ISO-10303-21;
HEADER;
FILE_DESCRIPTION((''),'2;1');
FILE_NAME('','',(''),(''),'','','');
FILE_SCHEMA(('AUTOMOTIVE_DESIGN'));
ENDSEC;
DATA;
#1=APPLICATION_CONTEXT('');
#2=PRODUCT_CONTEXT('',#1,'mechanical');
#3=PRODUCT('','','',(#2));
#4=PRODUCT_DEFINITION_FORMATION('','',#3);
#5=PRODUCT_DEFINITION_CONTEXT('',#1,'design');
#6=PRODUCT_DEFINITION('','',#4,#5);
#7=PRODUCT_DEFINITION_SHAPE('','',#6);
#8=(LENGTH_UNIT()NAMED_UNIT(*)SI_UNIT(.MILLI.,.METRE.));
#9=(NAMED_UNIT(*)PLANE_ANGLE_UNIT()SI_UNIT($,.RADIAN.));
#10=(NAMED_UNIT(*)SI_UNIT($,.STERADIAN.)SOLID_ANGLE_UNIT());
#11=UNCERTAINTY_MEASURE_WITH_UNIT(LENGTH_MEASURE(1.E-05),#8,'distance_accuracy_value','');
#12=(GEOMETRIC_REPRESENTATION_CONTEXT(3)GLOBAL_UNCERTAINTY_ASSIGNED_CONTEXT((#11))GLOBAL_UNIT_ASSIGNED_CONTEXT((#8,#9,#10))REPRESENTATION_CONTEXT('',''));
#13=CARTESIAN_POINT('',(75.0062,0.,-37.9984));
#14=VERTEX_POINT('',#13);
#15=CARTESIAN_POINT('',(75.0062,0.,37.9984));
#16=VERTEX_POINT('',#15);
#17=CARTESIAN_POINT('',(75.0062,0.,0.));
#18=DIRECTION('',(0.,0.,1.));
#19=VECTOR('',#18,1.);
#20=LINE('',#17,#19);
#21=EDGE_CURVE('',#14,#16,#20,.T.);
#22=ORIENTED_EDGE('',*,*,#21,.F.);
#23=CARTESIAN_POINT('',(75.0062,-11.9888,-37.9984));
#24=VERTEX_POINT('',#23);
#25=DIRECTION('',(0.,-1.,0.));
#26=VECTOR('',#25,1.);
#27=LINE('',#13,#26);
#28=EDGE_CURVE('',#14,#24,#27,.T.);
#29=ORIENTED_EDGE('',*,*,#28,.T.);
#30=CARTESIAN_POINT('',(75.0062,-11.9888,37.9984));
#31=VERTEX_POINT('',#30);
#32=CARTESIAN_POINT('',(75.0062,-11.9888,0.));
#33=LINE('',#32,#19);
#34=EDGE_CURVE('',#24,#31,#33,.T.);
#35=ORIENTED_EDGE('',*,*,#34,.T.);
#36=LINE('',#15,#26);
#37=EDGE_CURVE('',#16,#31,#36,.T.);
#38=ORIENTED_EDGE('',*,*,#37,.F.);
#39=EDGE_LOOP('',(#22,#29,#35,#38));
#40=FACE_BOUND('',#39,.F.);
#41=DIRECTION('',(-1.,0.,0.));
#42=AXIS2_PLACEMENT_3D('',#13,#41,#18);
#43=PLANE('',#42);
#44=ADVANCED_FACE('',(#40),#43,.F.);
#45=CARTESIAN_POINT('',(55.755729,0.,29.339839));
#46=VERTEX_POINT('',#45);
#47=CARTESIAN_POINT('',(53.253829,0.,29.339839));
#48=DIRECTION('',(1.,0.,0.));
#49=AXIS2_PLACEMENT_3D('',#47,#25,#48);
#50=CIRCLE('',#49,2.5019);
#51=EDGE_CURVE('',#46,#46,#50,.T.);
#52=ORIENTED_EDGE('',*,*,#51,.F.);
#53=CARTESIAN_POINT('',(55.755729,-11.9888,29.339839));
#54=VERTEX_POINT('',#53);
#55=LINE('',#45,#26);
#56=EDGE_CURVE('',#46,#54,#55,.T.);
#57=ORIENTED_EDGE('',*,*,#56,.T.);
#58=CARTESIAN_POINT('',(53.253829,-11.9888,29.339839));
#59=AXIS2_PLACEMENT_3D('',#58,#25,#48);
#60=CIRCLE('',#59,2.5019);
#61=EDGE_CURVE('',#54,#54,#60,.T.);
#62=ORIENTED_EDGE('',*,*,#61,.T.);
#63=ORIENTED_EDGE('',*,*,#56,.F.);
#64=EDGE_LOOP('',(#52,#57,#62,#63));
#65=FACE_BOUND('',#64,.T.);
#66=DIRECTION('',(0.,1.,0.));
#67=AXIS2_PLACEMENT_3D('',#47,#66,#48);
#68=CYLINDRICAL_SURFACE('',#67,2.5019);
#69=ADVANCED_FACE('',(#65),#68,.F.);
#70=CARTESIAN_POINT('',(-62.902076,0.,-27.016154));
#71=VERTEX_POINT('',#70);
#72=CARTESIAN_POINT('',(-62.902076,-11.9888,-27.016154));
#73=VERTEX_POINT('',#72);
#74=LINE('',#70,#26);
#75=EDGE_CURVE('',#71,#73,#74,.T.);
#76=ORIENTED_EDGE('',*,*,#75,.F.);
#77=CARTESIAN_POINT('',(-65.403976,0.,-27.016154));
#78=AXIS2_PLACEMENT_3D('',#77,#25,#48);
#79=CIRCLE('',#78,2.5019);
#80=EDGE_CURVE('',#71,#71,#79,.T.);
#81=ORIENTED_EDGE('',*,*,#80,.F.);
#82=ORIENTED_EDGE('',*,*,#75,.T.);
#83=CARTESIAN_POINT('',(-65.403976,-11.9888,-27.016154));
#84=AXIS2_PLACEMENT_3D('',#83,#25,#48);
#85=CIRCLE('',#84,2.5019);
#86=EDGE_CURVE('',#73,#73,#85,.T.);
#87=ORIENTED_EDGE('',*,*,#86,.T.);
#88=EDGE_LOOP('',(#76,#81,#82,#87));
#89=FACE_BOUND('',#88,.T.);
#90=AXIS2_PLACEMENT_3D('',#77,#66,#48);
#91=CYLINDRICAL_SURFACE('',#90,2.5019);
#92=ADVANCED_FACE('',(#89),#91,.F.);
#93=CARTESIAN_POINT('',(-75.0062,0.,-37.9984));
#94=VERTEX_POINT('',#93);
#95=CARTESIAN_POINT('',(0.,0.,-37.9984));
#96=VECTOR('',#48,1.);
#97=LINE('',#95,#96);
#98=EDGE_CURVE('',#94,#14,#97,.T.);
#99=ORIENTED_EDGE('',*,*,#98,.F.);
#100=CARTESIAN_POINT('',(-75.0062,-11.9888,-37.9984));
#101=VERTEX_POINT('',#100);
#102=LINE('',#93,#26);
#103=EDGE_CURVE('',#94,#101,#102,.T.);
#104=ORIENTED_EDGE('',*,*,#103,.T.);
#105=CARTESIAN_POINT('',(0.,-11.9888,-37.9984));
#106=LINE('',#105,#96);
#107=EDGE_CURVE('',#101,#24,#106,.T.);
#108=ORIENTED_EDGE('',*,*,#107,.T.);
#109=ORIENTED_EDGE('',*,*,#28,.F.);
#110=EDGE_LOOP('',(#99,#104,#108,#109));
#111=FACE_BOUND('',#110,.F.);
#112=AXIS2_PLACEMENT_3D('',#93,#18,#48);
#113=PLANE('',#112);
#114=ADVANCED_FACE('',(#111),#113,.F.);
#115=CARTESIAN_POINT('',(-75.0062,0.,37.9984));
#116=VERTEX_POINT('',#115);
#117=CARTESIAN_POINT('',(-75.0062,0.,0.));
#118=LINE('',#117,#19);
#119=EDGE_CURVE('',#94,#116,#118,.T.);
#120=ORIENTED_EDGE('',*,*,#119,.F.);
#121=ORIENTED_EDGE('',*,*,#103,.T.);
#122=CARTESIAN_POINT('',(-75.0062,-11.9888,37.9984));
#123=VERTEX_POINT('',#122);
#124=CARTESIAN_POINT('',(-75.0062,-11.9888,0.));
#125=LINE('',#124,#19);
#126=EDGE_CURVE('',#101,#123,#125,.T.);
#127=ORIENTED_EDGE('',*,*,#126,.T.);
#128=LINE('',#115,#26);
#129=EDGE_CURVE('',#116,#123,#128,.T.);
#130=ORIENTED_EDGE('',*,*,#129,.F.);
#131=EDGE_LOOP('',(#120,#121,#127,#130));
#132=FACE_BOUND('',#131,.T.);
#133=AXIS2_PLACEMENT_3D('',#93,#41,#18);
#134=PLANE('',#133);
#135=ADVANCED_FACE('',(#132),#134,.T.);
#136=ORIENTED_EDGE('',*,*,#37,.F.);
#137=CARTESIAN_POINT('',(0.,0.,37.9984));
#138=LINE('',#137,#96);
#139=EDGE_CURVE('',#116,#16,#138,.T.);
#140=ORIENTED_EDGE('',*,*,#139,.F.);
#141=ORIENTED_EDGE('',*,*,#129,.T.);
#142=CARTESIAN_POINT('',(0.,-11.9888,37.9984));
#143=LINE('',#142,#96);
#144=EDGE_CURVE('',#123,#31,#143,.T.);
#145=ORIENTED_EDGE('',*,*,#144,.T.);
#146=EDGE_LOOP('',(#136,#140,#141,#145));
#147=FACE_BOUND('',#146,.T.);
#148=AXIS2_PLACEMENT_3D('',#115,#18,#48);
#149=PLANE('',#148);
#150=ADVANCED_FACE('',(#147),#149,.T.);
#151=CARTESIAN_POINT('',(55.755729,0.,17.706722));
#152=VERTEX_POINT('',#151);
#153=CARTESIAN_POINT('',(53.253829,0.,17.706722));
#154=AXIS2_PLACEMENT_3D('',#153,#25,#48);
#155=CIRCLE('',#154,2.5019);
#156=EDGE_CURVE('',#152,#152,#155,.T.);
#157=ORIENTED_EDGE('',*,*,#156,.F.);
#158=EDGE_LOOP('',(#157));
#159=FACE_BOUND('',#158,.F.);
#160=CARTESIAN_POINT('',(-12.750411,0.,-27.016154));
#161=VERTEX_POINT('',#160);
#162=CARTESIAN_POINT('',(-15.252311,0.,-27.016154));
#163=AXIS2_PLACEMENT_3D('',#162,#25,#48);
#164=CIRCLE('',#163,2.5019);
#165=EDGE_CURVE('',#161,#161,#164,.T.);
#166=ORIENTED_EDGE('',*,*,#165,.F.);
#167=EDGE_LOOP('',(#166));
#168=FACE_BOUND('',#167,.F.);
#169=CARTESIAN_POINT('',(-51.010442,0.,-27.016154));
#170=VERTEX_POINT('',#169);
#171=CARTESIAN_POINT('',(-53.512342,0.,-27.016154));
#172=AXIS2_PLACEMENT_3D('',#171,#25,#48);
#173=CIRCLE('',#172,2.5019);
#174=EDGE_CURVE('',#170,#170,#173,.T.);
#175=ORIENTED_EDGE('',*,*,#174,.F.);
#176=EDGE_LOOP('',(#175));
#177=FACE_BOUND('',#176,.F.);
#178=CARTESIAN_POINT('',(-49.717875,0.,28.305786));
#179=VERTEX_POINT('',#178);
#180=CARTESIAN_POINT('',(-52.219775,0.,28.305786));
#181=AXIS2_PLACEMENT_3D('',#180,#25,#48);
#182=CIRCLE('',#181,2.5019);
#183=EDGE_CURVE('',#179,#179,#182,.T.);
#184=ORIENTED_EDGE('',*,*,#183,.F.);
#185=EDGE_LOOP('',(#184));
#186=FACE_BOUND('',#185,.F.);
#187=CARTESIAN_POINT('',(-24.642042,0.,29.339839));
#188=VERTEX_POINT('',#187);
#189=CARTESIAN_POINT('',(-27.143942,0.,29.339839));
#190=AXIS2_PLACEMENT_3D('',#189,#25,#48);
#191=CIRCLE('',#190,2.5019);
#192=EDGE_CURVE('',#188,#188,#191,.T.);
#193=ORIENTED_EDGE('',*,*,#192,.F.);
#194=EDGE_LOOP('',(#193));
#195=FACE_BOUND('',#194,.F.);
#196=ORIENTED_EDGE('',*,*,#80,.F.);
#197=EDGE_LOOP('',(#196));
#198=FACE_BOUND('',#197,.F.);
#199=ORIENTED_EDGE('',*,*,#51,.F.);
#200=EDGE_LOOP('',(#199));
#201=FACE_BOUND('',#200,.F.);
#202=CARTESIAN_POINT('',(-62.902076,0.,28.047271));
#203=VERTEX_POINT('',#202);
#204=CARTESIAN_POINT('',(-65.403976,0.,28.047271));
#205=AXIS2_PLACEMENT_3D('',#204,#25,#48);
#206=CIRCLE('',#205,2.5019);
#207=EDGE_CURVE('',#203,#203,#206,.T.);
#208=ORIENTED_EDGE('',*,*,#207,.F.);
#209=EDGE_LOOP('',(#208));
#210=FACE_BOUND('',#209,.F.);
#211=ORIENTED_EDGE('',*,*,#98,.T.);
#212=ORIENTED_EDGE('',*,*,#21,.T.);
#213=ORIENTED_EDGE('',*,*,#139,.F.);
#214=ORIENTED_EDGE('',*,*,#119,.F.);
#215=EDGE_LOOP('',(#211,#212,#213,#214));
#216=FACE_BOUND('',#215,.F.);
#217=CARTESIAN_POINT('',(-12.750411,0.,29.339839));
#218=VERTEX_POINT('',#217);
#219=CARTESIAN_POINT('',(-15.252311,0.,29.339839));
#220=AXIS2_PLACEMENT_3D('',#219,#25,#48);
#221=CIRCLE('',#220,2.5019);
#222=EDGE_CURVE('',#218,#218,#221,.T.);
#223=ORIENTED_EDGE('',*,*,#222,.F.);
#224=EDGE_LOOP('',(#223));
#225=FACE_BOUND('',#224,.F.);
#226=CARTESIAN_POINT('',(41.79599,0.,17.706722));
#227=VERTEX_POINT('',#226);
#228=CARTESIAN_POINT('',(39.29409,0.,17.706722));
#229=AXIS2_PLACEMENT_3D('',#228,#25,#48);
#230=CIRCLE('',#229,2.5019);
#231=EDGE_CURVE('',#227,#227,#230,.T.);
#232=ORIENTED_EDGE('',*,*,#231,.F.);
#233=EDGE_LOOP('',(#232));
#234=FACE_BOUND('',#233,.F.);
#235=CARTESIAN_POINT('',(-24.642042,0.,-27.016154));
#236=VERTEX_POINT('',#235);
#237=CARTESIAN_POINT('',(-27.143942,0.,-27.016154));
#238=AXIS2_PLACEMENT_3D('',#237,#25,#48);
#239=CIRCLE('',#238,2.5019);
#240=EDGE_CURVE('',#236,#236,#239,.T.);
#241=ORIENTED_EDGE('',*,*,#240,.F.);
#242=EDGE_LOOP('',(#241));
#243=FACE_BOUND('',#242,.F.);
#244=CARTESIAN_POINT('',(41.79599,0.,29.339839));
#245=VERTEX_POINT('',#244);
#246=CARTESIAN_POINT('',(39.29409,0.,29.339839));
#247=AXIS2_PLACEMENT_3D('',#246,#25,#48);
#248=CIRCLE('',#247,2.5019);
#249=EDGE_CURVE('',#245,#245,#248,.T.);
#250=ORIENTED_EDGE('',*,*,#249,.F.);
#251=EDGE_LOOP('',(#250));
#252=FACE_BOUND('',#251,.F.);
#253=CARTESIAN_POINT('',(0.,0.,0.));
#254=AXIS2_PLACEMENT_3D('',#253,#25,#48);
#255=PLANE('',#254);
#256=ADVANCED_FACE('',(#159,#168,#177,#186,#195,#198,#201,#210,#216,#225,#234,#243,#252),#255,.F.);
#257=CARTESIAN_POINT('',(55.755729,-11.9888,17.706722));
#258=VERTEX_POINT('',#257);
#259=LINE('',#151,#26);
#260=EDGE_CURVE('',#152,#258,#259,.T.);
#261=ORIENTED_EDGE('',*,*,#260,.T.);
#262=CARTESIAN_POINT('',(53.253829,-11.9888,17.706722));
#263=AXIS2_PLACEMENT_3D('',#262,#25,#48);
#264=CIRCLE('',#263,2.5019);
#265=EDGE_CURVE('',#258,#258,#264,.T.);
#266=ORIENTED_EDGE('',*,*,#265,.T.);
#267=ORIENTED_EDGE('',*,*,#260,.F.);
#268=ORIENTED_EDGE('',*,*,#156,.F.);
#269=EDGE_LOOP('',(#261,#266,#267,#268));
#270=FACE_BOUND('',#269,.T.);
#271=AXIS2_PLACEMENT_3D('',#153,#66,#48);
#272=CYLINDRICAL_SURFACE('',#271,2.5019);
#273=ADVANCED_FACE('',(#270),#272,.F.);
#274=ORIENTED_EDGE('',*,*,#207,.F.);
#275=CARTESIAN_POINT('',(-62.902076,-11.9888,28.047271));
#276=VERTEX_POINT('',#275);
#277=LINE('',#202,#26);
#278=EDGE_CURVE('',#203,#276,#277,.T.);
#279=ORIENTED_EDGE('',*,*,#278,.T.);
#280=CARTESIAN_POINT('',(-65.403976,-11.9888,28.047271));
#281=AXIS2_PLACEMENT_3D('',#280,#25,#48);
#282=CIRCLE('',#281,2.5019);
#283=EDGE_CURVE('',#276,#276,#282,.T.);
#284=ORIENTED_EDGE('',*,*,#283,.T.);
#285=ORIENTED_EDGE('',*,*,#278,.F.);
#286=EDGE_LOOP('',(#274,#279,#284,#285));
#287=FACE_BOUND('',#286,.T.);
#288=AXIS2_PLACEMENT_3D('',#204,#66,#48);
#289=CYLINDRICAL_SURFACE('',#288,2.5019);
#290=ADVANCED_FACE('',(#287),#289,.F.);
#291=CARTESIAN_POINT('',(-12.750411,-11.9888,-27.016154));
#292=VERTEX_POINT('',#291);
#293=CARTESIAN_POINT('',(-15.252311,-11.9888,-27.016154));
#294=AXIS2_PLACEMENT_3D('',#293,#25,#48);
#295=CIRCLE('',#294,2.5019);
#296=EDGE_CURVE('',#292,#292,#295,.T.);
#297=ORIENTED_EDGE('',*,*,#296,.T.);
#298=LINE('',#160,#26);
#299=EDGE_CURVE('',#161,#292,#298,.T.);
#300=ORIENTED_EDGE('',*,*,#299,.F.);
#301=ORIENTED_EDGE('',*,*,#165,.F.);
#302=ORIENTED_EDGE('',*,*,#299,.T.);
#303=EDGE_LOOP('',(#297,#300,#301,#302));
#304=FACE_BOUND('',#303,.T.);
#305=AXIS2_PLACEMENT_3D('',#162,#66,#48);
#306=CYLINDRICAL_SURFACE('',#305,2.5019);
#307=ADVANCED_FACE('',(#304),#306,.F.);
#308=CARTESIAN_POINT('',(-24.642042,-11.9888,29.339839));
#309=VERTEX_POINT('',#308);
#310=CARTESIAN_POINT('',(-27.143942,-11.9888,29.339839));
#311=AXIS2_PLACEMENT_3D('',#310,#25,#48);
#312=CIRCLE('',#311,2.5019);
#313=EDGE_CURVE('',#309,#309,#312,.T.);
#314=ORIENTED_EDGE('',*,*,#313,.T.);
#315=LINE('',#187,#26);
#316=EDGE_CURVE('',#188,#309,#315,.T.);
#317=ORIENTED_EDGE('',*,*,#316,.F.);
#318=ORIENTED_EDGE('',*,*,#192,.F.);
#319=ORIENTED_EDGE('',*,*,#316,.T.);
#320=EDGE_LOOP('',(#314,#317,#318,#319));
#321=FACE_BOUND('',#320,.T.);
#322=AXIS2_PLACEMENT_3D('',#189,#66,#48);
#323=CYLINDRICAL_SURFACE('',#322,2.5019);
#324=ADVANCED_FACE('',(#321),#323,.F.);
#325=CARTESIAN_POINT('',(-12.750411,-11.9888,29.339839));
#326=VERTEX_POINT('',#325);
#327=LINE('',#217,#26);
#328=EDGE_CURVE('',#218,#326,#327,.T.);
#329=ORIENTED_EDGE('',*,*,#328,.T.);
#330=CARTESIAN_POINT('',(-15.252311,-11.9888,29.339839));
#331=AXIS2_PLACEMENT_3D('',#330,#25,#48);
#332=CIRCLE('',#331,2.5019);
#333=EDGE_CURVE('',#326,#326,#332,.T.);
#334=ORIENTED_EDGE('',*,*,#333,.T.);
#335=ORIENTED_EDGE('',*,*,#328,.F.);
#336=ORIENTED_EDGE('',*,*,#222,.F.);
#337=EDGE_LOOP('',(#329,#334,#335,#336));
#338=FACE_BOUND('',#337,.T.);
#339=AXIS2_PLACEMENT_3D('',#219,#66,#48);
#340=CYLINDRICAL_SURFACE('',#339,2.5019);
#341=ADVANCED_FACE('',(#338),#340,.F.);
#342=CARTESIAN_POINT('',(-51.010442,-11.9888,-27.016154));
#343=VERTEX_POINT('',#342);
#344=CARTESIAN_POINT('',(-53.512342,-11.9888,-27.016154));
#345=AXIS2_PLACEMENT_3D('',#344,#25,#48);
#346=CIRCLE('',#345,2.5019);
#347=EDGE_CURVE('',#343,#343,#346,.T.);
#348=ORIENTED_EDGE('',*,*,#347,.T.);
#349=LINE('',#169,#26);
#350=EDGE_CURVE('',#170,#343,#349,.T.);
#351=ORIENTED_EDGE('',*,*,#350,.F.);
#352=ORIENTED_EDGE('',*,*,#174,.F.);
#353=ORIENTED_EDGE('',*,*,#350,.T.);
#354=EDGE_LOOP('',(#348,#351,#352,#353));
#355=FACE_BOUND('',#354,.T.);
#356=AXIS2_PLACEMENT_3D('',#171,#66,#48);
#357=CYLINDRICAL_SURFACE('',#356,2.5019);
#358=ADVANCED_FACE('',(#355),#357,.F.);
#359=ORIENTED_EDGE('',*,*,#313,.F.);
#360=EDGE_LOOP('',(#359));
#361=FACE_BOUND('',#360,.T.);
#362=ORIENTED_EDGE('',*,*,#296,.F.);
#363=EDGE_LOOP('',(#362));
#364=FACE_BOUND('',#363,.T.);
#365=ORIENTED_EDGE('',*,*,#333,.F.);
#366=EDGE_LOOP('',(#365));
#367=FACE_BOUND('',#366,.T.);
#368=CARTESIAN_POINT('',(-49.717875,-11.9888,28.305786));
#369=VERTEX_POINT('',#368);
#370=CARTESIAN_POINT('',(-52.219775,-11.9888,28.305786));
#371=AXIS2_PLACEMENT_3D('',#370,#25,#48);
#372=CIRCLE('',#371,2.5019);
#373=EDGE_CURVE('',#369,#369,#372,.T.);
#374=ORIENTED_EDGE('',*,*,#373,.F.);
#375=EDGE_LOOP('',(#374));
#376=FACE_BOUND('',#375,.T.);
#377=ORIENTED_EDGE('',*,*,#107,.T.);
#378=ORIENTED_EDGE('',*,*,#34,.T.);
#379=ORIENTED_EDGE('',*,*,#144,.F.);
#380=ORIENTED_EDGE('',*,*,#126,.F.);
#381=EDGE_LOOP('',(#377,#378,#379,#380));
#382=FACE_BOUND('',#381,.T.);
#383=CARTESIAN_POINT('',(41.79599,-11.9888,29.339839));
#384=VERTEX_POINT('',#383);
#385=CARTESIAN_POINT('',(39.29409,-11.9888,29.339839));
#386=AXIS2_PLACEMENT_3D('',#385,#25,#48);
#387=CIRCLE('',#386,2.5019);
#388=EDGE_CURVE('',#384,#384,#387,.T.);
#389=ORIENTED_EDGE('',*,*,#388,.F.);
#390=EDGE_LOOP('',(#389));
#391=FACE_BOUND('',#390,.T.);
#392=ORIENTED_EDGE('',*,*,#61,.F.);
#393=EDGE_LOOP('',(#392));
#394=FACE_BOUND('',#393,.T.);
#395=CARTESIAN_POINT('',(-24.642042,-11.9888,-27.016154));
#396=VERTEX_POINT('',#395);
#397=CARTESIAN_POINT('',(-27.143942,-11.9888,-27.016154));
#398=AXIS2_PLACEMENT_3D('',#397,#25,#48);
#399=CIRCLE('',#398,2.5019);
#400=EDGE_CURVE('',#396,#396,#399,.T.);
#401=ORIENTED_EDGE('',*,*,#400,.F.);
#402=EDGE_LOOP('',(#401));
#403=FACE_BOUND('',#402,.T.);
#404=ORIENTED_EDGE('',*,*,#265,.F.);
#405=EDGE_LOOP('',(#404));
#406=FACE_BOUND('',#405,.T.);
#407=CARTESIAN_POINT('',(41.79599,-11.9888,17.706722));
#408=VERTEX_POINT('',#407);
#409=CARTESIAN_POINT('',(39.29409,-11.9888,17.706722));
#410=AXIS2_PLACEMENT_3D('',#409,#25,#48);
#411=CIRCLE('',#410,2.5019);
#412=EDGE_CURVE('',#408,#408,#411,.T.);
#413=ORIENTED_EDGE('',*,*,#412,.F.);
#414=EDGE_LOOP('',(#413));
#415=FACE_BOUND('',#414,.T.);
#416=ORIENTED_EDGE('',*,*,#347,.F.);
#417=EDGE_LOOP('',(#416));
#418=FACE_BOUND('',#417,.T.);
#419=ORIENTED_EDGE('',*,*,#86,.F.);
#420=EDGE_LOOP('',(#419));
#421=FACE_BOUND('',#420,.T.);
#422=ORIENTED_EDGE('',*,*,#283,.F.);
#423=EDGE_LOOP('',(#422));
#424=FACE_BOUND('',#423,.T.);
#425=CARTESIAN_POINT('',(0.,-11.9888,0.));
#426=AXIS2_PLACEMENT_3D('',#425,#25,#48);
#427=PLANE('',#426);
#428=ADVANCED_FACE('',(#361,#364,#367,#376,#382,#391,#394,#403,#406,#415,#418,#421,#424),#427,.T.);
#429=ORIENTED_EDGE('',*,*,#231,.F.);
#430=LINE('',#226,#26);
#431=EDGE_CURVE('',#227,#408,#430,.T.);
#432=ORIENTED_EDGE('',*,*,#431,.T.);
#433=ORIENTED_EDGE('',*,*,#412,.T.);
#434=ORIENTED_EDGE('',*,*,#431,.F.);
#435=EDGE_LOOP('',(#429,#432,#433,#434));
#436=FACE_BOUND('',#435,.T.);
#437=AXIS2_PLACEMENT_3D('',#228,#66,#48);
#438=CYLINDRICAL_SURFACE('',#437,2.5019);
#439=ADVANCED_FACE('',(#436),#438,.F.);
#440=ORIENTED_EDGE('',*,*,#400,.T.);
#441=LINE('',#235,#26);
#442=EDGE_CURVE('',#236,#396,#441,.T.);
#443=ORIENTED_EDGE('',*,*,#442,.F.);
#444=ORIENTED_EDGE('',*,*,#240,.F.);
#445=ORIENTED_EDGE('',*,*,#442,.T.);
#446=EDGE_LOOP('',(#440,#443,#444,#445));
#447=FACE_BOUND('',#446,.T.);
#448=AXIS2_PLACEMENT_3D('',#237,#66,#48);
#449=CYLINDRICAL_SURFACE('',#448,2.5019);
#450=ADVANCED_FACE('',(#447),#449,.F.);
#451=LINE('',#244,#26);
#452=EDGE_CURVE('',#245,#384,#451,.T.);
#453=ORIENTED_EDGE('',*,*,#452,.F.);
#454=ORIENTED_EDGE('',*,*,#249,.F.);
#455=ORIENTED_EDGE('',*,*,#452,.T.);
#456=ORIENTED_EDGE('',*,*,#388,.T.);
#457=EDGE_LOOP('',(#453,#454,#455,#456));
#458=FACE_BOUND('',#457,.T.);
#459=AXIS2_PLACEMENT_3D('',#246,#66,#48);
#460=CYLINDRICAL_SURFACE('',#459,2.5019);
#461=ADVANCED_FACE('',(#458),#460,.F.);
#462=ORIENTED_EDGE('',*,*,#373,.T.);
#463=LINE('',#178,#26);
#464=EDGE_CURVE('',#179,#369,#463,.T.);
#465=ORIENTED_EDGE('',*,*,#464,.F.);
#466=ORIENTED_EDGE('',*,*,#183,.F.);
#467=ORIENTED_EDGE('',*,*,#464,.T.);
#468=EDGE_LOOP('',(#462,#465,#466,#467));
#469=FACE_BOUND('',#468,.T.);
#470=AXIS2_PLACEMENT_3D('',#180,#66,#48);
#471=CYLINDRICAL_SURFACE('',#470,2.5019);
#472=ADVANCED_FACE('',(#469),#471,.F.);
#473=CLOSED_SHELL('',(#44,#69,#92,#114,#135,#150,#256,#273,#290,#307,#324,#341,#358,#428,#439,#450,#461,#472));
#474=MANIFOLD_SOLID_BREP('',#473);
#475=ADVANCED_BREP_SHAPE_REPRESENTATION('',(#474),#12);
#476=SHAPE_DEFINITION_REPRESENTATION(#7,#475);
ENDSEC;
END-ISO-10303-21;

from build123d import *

# Parameters (mm, degrees)
F0_W     = 150.0124
F0_H     = 75.9968
F0_R     = 2.5019
F1_DEPTH = 11.9888


with BuildPart() as f1:
    # F0 (on Front) → F1 (new body)
    with BuildSketch(Plane.XZ):
        Rectangle(F0_W, F0_H)
        with Locations((-65.403976, -27.016154)):
            Circle(F0_R, mode=Mode.SUBTRACT)
        with Locations((-53.512342, -27.016154)):
            Circle(F0_R, mode=Mode.SUBTRACT)
        with Locations((-27.143942, -27.016154)):
            Circle(F0_R, mode=Mode.SUBTRACT)
        with Locations((-15.252311, -27.016154)):
            Circle(F0_R, mode=Mode.SUBTRACT)
        with Locations((-65.403976, 28.047271)):
            Circle(F0_R, mode=Mode.SUBTRACT)
        with Locations((-52.219775, 28.305786)):
            Circle(F0_R, mode=Mode.SUBTRACT)
        with Locations((-27.143942, 29.339839)):
            Circle(F0_R, mode=Mode.SUBTRACT)
        with Locations((-15.252311, 29.339839)):
            Circle(F0_R, mode=Mode.SUBTRACT)
        with Locations((39.29409, 17.706722)):
            Circle(F0_R, mode=Mode.SUBTRACT)
        with Locations((53.253829, 17.706722)):
            Circle(F0_R, mode=Mode.SUBTRACT)
        with Locations((39.29409, 29.339839)):
            Circle(F0_R, mode=Mode.SUBTRACT)
        with Locations((53.253829, 29.339839)):
            Circle(F0_R, mode=Mode.SUBTRACT)
    extrude(amount=F1_DEPTH)


solid = f1.part
